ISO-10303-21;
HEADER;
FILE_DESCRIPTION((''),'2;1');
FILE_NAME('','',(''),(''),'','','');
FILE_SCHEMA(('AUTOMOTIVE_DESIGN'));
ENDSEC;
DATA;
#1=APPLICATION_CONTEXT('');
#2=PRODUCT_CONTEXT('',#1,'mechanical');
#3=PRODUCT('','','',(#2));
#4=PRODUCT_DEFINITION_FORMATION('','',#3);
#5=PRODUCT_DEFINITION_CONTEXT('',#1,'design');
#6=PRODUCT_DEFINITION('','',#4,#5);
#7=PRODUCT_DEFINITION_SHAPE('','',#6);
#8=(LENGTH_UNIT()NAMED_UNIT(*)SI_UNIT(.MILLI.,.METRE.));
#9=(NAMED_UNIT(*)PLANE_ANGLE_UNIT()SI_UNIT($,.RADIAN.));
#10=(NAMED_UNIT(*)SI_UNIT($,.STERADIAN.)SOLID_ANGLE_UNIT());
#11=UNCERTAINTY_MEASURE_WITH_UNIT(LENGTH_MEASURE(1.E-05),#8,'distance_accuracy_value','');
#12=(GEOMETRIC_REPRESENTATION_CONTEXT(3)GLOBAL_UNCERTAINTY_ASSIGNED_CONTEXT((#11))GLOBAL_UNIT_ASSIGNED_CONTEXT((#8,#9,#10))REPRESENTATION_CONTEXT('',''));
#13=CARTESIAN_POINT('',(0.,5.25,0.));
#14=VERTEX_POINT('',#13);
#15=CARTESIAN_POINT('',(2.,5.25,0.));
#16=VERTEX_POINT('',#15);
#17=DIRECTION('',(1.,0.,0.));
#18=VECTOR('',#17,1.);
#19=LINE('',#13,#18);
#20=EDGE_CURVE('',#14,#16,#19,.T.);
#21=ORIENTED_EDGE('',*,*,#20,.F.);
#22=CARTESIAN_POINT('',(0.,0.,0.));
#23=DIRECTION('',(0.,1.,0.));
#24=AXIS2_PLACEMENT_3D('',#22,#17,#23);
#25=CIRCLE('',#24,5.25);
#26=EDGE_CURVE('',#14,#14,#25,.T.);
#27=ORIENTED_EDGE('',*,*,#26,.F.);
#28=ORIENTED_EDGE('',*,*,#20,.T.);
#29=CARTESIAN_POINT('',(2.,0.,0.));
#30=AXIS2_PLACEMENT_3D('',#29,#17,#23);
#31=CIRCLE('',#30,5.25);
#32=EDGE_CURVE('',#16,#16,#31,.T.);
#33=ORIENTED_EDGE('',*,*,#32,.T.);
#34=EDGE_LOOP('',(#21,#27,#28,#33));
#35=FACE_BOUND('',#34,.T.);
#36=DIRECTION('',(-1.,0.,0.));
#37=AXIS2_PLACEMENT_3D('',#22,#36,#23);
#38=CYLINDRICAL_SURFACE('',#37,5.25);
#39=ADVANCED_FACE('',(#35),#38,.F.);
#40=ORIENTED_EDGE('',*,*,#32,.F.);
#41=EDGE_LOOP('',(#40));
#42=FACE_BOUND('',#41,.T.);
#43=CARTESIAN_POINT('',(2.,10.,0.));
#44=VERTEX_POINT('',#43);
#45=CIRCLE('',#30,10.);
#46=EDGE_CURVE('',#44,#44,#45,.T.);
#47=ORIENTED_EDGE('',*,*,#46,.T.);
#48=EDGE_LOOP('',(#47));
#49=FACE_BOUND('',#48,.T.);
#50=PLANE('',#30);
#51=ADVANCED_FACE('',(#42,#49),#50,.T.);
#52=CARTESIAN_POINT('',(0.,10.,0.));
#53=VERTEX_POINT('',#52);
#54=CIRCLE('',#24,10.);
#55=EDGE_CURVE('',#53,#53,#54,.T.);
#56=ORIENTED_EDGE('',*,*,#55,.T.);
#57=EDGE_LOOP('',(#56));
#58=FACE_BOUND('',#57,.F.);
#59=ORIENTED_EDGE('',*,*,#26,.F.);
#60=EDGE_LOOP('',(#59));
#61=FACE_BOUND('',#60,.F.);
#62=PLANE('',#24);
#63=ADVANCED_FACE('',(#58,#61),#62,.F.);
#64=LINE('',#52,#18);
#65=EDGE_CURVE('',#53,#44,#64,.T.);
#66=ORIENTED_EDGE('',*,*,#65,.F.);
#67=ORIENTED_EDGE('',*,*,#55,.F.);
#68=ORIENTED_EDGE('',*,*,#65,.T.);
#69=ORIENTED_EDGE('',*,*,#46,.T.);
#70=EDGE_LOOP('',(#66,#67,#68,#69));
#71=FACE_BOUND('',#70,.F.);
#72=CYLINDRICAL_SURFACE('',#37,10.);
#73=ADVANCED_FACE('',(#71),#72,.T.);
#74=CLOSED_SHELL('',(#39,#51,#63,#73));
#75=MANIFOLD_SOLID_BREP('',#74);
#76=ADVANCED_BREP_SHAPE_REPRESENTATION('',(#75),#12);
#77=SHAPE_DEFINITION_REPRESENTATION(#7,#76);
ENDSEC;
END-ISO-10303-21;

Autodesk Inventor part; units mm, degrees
ref_plane "YZ Plane" through (0, 0, 0) normal (1, 0, 0) x (0, 1, 0)
ref_plane "XZ Plane" through (0, 0, 0) normal (0, 1, 0) x (-1, 0, 0)
sketch "Sketch" plane through (0, 0, 0) normal (1, 0, 0) x (0, 1, 0)
  circle A0 centre (0, 0) radius 10
  circle A1 centre (0, 0) radius 5.25
  dimension "d0" = 10.5
  dimension "d1" = 20
extrude "Body" add sketch "Sketch" along normal blind 2
ref_plane "Work Plane1" through (0, 0, 0) normal (0, 0, 1) x (1, 0, 0)
equation "\"d0\" = SD1"
equation "\"d1\" = SD2"
equation "\"d2\" = SD"
equation "\"SD1\" = 10.5"
equation "\"SD2\" = 20"
equation "\"SD\" = 2"
properties part number "ISO 7089 - 10" material "Stainless Steel"
